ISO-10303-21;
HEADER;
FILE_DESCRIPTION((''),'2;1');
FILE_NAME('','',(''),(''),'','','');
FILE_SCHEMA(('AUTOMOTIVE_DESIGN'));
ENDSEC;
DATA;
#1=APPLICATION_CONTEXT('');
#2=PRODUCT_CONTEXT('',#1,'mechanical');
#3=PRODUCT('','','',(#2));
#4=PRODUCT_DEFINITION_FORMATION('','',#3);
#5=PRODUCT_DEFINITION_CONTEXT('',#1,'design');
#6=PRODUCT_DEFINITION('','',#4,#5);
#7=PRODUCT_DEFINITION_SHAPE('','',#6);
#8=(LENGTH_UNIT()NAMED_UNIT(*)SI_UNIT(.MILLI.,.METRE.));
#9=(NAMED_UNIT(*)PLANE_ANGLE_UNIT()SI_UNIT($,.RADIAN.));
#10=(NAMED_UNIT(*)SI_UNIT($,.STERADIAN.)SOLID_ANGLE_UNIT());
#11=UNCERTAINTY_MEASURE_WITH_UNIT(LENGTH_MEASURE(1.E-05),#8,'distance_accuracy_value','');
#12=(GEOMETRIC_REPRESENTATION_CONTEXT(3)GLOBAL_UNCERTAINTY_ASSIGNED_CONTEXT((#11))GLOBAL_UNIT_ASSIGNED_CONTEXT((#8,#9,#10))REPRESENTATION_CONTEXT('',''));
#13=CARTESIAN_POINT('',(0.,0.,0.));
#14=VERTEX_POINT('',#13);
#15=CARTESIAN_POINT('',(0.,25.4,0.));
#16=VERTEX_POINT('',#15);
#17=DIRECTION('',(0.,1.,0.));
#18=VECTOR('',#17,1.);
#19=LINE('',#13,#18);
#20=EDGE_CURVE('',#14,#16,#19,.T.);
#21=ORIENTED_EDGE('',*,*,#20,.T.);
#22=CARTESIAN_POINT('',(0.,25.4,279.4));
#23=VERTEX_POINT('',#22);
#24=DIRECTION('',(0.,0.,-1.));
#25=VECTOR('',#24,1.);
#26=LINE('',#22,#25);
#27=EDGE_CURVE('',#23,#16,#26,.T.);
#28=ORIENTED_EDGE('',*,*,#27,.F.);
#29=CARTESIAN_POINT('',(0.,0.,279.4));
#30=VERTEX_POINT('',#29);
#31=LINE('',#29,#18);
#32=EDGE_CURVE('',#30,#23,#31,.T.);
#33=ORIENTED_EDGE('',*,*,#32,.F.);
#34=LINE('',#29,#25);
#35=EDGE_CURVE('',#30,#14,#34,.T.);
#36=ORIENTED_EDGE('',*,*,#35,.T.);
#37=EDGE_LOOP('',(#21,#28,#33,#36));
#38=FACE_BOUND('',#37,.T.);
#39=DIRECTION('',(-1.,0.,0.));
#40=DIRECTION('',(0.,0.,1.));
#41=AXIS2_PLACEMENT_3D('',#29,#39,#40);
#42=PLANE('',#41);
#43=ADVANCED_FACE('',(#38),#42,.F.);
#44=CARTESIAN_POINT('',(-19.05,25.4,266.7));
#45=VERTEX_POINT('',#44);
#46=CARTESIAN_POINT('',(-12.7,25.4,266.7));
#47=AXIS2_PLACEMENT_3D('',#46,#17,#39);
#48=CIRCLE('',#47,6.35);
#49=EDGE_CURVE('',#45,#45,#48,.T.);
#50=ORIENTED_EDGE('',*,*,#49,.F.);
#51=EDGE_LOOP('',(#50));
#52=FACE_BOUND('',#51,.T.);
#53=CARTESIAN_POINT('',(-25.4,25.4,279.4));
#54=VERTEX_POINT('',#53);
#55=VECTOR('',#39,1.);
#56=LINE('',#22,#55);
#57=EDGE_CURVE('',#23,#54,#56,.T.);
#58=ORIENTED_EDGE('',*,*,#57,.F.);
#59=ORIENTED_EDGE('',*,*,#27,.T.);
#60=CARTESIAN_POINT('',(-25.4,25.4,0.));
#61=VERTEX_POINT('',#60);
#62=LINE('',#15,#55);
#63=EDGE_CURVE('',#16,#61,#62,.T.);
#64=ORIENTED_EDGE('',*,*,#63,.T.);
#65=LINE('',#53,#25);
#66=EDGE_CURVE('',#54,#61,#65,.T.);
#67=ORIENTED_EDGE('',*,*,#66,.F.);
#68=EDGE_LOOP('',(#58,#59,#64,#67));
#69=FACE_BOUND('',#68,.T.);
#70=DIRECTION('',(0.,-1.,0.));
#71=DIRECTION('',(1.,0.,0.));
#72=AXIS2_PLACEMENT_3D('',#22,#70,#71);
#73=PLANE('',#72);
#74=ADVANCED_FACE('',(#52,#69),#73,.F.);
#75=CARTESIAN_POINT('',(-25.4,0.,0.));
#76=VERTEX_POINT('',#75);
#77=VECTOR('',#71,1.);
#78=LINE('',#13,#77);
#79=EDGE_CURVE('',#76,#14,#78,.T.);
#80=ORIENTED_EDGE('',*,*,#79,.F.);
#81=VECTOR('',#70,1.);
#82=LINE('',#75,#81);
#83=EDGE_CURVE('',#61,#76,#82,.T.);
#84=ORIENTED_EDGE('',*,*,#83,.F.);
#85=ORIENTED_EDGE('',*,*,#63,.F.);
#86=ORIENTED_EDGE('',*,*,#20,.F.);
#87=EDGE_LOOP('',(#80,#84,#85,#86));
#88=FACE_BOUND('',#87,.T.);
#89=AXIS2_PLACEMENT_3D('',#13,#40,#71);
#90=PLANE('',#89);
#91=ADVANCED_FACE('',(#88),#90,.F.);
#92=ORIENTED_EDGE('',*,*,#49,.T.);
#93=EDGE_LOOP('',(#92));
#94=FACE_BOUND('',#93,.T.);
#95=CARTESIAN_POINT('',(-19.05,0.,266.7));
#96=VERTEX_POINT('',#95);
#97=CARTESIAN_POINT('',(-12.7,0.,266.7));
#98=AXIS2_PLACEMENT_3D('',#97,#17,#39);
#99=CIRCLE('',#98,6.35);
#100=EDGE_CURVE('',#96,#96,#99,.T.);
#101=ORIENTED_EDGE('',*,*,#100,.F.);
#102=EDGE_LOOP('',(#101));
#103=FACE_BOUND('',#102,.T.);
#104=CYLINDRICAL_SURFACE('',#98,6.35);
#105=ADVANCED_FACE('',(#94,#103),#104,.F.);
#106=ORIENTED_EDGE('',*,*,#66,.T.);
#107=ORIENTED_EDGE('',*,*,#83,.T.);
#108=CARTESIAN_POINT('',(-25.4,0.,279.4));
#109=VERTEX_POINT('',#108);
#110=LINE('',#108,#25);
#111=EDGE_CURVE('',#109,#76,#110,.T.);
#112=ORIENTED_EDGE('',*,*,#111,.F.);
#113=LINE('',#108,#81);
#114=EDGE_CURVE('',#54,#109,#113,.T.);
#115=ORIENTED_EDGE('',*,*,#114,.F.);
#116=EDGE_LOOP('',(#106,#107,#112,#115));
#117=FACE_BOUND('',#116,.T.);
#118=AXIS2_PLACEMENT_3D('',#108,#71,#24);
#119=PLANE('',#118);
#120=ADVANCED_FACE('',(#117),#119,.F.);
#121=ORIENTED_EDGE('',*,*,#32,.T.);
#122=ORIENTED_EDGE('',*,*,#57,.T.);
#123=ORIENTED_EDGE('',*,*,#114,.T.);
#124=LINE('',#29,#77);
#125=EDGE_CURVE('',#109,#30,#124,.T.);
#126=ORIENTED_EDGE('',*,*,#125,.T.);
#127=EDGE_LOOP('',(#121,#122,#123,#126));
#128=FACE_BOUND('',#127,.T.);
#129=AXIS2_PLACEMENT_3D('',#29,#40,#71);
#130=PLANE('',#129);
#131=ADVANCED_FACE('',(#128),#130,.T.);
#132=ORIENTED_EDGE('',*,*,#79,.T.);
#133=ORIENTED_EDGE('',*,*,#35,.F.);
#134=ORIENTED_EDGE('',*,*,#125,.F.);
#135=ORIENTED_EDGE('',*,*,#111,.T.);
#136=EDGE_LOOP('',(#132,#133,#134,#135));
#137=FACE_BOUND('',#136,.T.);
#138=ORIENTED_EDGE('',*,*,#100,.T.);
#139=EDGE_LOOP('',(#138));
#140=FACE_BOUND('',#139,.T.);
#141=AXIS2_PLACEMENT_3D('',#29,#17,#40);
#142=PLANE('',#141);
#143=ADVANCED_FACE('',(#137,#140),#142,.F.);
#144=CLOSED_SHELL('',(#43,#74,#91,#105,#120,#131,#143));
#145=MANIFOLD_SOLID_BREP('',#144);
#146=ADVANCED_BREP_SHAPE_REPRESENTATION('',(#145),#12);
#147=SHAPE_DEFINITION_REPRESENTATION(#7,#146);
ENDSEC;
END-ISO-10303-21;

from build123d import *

# Parameters (mm, degrees)
SKETCH1_W           = 25.4
SKETCH1_H           = 25.4
BOSS_EXTRUDE1_DEPTH = 279.4
SKETCH2_R           = 6.35
CUT_EXTRUDE1_DEPTH  = 26.4


with BuildPart() as part:
    # Sketch1 → Boss-Extrude1 (new body)
    with BuildSketch(Plane.XY):
        with Locations((-12.7, 12.7)):
            Rectangle(SKETCH1_W, SKETCH1_H)
    extrude(amount=BOSS_EXTRUDE1_DEPTH)

    # Sketch2 → Cut-Extrude1 (cut, through all)
    with BuildSketch(Plane(origin=(0, 25.4, 0), x_dir=(1, 0, 0), z_dir=(0, 1, 0))):
        with Locations((-12.7, -266.7)):
            Circle(SKETCH2_R)
    extrude(amount=-CUT_EXTRUDE1_DEPTH, mode=Mode.SUBTRACT)


solid = part.part
